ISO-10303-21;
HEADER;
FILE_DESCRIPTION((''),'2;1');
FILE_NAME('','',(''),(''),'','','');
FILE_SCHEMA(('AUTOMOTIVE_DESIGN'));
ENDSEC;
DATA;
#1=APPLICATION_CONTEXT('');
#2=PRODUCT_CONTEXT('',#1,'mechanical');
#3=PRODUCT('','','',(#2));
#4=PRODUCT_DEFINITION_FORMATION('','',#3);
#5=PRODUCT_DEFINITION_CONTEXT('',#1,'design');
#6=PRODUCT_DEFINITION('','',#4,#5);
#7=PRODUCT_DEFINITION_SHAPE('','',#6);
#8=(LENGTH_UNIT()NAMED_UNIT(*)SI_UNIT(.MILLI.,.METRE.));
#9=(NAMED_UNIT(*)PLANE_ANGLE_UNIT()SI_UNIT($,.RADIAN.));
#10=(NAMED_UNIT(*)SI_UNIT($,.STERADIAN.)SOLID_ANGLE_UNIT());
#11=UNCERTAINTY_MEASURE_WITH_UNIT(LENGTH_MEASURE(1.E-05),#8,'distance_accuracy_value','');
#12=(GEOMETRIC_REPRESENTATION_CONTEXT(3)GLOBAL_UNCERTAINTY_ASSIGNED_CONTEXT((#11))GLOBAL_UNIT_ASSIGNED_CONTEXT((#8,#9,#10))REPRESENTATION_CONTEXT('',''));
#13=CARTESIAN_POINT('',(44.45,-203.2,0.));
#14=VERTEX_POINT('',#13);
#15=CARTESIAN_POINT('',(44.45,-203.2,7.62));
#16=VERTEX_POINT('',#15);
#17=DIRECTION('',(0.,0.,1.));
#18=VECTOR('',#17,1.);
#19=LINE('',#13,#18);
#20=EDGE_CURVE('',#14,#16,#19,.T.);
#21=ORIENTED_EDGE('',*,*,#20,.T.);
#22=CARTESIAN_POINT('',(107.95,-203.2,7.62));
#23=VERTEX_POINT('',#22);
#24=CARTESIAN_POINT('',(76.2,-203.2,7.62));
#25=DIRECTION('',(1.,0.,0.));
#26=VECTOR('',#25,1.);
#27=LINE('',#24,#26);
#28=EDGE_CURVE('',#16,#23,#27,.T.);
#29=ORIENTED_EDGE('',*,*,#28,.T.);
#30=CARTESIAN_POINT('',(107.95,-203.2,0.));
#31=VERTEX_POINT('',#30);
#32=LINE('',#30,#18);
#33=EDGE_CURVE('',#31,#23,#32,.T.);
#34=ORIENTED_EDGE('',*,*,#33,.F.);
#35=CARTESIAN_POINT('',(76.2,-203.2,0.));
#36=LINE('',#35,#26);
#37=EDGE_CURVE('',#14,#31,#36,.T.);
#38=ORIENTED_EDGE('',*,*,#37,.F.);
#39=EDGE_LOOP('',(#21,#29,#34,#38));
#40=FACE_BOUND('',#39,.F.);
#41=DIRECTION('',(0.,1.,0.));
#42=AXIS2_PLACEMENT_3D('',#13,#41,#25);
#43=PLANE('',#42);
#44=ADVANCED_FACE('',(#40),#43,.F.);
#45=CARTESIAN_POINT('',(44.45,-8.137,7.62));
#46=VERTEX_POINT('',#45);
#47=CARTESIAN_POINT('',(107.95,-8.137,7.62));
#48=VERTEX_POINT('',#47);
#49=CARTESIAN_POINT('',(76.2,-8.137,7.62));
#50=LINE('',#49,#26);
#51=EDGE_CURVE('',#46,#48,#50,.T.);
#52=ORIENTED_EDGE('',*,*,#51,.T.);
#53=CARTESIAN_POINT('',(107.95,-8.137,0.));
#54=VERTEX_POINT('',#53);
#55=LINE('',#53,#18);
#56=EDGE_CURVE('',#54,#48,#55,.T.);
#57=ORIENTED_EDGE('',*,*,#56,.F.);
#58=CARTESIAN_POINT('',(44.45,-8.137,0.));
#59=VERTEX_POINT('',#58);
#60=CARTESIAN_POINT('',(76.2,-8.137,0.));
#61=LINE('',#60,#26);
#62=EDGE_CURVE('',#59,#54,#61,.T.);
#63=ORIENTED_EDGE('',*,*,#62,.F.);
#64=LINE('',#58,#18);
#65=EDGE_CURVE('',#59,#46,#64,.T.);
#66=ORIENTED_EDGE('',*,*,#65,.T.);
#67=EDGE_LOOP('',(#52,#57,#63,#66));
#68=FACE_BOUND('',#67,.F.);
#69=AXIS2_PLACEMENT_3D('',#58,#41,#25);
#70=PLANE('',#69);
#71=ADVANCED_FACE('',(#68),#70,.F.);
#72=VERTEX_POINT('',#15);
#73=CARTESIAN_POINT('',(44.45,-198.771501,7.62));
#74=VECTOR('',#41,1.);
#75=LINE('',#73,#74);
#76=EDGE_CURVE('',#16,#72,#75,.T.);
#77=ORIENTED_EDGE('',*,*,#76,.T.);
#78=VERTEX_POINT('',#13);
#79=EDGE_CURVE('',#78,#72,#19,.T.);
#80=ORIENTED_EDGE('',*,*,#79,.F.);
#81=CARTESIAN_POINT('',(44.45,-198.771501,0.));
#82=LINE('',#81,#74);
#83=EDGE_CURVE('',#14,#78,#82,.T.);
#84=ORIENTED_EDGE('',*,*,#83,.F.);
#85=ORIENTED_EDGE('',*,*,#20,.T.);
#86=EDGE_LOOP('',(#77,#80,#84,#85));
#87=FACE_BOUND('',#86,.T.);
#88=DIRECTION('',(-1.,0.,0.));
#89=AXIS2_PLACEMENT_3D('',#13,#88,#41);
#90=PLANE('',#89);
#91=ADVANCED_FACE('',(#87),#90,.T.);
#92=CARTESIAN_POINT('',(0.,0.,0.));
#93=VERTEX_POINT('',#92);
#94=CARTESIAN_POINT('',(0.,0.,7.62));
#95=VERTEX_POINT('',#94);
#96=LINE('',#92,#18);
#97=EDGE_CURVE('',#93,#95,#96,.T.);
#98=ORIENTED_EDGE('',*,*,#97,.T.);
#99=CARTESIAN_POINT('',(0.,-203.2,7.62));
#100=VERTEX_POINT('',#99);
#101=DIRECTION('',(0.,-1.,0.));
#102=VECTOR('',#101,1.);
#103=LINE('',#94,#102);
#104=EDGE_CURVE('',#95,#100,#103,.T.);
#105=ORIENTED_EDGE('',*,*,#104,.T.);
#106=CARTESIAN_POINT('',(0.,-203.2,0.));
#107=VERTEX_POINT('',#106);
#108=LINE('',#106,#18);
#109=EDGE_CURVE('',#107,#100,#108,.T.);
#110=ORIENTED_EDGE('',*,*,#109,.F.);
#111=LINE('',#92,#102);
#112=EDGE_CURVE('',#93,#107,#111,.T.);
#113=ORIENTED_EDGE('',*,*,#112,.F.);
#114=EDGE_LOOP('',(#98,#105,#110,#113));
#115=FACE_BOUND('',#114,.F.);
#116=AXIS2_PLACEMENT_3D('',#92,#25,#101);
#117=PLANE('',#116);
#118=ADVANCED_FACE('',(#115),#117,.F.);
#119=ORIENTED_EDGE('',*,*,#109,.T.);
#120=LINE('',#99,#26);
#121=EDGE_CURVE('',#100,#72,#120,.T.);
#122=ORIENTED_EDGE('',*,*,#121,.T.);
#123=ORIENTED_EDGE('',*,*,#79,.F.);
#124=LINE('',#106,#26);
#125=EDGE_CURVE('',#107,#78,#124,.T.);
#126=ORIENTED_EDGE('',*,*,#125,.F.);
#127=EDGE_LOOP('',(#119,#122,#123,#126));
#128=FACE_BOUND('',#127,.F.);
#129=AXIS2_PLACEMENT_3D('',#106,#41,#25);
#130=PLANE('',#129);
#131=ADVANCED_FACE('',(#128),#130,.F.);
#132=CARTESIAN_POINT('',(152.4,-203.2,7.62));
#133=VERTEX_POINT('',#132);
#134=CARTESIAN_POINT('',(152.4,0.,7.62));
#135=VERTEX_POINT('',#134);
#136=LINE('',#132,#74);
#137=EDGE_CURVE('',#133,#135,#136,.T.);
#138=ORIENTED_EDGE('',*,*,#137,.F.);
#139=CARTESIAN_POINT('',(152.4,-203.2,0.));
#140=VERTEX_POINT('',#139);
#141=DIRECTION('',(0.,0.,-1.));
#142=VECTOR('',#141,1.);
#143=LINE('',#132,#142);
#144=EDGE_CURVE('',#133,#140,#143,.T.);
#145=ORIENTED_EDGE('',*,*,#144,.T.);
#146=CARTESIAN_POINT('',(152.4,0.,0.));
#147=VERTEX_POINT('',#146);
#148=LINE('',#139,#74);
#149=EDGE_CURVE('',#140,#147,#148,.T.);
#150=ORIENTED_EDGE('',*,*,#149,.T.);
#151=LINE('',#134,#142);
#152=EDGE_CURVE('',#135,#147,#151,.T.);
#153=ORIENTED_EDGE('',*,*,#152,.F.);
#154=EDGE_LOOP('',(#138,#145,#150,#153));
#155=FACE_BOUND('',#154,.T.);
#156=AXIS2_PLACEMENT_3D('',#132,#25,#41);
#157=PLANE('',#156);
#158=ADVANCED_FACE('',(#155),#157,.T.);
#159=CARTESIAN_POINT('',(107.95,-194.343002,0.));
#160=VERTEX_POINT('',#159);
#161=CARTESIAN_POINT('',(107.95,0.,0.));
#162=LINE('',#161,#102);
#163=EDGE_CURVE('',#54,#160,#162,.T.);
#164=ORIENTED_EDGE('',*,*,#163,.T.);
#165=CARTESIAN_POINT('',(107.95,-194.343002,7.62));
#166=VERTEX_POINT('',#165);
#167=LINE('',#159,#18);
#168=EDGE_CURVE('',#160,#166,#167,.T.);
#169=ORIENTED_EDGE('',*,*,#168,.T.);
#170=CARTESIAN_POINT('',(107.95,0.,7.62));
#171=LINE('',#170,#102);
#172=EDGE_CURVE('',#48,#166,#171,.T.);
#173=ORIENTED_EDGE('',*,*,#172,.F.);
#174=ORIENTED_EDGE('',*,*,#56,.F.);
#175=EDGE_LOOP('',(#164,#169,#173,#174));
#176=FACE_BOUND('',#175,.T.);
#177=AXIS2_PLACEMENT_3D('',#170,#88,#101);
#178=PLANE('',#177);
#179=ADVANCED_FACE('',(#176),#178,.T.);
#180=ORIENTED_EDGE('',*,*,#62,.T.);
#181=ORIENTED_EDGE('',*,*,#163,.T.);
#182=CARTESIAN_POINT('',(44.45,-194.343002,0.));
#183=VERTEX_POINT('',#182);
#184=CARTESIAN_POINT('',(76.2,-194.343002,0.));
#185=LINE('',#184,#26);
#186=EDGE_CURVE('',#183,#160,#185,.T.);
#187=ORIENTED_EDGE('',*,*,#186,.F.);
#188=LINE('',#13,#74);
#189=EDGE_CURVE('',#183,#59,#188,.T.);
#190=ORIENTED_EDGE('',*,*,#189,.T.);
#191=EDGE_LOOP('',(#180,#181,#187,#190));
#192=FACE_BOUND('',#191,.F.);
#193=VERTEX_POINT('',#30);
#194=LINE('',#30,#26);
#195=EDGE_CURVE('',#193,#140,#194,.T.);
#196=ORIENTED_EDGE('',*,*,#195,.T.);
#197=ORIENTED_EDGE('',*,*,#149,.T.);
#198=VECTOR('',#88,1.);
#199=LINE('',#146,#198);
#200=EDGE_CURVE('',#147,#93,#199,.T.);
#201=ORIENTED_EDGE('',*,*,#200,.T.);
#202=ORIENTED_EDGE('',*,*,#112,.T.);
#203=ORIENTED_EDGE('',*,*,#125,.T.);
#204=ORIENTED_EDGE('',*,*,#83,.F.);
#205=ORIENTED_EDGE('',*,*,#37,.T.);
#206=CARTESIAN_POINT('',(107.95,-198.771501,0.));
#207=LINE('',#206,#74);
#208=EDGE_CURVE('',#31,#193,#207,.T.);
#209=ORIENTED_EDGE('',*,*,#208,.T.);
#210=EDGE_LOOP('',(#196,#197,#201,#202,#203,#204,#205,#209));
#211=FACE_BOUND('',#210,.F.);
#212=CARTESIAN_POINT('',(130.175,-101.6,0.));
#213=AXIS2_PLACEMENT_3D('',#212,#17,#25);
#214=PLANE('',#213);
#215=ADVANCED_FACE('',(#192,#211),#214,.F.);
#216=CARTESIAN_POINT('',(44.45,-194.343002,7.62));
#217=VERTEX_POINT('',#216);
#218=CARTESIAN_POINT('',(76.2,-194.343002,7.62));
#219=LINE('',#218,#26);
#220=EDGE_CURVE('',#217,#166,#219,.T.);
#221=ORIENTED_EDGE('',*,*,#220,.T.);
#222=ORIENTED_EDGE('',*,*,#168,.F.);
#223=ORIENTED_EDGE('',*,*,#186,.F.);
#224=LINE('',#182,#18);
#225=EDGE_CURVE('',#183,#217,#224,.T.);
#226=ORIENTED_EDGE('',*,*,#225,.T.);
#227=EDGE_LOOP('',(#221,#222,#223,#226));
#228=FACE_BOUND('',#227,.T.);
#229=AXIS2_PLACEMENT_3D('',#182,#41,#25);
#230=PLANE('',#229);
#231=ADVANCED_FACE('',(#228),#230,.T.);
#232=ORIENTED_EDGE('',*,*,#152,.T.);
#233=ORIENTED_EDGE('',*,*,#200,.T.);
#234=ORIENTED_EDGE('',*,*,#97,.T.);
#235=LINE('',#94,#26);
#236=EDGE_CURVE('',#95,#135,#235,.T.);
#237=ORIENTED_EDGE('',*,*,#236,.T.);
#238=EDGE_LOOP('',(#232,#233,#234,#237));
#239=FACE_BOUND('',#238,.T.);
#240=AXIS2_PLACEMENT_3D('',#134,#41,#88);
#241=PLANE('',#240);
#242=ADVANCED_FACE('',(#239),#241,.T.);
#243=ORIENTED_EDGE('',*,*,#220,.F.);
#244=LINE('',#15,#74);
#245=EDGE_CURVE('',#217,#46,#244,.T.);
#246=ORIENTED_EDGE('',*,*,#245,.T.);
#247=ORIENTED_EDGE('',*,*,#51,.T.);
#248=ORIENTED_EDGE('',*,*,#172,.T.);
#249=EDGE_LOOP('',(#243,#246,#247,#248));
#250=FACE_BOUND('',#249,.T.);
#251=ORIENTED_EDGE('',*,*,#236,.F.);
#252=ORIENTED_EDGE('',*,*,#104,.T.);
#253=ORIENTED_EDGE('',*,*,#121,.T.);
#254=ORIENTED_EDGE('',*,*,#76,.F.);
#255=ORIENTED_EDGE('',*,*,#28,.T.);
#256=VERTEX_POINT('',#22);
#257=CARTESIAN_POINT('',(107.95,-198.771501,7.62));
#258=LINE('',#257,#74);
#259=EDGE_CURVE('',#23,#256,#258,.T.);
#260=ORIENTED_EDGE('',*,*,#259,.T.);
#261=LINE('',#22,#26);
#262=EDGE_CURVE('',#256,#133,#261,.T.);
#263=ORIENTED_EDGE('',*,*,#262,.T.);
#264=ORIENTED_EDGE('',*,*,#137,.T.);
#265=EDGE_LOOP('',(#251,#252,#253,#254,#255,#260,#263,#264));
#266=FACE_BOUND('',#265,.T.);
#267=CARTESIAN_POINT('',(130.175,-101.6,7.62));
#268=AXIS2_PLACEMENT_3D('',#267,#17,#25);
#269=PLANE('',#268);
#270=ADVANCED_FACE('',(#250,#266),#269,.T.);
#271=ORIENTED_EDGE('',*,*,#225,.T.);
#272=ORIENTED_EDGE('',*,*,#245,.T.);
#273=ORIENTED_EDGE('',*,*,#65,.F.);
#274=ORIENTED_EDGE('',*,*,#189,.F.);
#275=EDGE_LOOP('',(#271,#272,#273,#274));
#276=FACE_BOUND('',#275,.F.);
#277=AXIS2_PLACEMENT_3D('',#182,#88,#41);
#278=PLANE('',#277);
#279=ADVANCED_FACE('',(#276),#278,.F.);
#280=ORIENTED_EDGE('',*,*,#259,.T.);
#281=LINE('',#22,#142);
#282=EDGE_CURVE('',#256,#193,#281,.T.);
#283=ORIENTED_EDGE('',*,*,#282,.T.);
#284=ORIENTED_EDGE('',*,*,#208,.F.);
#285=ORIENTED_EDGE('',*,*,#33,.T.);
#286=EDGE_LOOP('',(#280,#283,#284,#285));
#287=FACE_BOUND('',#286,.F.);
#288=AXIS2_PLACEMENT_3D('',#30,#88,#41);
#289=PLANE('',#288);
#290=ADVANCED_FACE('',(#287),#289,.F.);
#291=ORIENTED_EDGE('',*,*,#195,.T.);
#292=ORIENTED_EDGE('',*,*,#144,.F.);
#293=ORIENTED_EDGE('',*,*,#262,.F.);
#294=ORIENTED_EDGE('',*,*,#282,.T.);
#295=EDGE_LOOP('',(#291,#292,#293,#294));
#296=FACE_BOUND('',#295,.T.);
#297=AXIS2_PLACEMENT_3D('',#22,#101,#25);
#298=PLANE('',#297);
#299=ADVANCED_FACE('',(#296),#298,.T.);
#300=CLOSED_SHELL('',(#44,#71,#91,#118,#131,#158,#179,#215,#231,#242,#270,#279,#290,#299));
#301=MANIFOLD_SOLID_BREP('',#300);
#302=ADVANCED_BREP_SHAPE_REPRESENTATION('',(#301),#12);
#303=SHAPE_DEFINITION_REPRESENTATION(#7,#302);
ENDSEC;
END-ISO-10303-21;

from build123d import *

# Parameters (mm, degrees)
F0_W     = 63.5
F0_H     = 8.137
F0_H_2   = 8.856999
F1_DEPTH = 7.62
F3_DEPTH = 7.62


with BuildPart() as f1:
    # F0 (on Top) → F1 (new body)
    with BuildSketch(Plane.XY):
        Polygon((44.45, 0), (0, 0), (0, -203.2), (44.45, -203.2), (44.45, -194.343001), (44.45, -8.137), align=None)
        with Locations((76.2, -4.0685)):
            Rectangle(F0_W, F0_H)
        with Locations((76.2, -198.771501)):
            Rectangle(F0_W, F0_H_2)
    extrude(amount=F1_DEPTH)

    # F2 (on face) → F3 (join)
    with BuildSketch(Plane.XY.offset(7.62)):
        Polygon((152.4, 0), (107.95, 0), (107.95, -8.137), (107.95, -194.343001), (107.95, -203.2), (152.4, -203.2), align=None)
    extrude(amount=-F3_DEPTH)


solid = f1.part
